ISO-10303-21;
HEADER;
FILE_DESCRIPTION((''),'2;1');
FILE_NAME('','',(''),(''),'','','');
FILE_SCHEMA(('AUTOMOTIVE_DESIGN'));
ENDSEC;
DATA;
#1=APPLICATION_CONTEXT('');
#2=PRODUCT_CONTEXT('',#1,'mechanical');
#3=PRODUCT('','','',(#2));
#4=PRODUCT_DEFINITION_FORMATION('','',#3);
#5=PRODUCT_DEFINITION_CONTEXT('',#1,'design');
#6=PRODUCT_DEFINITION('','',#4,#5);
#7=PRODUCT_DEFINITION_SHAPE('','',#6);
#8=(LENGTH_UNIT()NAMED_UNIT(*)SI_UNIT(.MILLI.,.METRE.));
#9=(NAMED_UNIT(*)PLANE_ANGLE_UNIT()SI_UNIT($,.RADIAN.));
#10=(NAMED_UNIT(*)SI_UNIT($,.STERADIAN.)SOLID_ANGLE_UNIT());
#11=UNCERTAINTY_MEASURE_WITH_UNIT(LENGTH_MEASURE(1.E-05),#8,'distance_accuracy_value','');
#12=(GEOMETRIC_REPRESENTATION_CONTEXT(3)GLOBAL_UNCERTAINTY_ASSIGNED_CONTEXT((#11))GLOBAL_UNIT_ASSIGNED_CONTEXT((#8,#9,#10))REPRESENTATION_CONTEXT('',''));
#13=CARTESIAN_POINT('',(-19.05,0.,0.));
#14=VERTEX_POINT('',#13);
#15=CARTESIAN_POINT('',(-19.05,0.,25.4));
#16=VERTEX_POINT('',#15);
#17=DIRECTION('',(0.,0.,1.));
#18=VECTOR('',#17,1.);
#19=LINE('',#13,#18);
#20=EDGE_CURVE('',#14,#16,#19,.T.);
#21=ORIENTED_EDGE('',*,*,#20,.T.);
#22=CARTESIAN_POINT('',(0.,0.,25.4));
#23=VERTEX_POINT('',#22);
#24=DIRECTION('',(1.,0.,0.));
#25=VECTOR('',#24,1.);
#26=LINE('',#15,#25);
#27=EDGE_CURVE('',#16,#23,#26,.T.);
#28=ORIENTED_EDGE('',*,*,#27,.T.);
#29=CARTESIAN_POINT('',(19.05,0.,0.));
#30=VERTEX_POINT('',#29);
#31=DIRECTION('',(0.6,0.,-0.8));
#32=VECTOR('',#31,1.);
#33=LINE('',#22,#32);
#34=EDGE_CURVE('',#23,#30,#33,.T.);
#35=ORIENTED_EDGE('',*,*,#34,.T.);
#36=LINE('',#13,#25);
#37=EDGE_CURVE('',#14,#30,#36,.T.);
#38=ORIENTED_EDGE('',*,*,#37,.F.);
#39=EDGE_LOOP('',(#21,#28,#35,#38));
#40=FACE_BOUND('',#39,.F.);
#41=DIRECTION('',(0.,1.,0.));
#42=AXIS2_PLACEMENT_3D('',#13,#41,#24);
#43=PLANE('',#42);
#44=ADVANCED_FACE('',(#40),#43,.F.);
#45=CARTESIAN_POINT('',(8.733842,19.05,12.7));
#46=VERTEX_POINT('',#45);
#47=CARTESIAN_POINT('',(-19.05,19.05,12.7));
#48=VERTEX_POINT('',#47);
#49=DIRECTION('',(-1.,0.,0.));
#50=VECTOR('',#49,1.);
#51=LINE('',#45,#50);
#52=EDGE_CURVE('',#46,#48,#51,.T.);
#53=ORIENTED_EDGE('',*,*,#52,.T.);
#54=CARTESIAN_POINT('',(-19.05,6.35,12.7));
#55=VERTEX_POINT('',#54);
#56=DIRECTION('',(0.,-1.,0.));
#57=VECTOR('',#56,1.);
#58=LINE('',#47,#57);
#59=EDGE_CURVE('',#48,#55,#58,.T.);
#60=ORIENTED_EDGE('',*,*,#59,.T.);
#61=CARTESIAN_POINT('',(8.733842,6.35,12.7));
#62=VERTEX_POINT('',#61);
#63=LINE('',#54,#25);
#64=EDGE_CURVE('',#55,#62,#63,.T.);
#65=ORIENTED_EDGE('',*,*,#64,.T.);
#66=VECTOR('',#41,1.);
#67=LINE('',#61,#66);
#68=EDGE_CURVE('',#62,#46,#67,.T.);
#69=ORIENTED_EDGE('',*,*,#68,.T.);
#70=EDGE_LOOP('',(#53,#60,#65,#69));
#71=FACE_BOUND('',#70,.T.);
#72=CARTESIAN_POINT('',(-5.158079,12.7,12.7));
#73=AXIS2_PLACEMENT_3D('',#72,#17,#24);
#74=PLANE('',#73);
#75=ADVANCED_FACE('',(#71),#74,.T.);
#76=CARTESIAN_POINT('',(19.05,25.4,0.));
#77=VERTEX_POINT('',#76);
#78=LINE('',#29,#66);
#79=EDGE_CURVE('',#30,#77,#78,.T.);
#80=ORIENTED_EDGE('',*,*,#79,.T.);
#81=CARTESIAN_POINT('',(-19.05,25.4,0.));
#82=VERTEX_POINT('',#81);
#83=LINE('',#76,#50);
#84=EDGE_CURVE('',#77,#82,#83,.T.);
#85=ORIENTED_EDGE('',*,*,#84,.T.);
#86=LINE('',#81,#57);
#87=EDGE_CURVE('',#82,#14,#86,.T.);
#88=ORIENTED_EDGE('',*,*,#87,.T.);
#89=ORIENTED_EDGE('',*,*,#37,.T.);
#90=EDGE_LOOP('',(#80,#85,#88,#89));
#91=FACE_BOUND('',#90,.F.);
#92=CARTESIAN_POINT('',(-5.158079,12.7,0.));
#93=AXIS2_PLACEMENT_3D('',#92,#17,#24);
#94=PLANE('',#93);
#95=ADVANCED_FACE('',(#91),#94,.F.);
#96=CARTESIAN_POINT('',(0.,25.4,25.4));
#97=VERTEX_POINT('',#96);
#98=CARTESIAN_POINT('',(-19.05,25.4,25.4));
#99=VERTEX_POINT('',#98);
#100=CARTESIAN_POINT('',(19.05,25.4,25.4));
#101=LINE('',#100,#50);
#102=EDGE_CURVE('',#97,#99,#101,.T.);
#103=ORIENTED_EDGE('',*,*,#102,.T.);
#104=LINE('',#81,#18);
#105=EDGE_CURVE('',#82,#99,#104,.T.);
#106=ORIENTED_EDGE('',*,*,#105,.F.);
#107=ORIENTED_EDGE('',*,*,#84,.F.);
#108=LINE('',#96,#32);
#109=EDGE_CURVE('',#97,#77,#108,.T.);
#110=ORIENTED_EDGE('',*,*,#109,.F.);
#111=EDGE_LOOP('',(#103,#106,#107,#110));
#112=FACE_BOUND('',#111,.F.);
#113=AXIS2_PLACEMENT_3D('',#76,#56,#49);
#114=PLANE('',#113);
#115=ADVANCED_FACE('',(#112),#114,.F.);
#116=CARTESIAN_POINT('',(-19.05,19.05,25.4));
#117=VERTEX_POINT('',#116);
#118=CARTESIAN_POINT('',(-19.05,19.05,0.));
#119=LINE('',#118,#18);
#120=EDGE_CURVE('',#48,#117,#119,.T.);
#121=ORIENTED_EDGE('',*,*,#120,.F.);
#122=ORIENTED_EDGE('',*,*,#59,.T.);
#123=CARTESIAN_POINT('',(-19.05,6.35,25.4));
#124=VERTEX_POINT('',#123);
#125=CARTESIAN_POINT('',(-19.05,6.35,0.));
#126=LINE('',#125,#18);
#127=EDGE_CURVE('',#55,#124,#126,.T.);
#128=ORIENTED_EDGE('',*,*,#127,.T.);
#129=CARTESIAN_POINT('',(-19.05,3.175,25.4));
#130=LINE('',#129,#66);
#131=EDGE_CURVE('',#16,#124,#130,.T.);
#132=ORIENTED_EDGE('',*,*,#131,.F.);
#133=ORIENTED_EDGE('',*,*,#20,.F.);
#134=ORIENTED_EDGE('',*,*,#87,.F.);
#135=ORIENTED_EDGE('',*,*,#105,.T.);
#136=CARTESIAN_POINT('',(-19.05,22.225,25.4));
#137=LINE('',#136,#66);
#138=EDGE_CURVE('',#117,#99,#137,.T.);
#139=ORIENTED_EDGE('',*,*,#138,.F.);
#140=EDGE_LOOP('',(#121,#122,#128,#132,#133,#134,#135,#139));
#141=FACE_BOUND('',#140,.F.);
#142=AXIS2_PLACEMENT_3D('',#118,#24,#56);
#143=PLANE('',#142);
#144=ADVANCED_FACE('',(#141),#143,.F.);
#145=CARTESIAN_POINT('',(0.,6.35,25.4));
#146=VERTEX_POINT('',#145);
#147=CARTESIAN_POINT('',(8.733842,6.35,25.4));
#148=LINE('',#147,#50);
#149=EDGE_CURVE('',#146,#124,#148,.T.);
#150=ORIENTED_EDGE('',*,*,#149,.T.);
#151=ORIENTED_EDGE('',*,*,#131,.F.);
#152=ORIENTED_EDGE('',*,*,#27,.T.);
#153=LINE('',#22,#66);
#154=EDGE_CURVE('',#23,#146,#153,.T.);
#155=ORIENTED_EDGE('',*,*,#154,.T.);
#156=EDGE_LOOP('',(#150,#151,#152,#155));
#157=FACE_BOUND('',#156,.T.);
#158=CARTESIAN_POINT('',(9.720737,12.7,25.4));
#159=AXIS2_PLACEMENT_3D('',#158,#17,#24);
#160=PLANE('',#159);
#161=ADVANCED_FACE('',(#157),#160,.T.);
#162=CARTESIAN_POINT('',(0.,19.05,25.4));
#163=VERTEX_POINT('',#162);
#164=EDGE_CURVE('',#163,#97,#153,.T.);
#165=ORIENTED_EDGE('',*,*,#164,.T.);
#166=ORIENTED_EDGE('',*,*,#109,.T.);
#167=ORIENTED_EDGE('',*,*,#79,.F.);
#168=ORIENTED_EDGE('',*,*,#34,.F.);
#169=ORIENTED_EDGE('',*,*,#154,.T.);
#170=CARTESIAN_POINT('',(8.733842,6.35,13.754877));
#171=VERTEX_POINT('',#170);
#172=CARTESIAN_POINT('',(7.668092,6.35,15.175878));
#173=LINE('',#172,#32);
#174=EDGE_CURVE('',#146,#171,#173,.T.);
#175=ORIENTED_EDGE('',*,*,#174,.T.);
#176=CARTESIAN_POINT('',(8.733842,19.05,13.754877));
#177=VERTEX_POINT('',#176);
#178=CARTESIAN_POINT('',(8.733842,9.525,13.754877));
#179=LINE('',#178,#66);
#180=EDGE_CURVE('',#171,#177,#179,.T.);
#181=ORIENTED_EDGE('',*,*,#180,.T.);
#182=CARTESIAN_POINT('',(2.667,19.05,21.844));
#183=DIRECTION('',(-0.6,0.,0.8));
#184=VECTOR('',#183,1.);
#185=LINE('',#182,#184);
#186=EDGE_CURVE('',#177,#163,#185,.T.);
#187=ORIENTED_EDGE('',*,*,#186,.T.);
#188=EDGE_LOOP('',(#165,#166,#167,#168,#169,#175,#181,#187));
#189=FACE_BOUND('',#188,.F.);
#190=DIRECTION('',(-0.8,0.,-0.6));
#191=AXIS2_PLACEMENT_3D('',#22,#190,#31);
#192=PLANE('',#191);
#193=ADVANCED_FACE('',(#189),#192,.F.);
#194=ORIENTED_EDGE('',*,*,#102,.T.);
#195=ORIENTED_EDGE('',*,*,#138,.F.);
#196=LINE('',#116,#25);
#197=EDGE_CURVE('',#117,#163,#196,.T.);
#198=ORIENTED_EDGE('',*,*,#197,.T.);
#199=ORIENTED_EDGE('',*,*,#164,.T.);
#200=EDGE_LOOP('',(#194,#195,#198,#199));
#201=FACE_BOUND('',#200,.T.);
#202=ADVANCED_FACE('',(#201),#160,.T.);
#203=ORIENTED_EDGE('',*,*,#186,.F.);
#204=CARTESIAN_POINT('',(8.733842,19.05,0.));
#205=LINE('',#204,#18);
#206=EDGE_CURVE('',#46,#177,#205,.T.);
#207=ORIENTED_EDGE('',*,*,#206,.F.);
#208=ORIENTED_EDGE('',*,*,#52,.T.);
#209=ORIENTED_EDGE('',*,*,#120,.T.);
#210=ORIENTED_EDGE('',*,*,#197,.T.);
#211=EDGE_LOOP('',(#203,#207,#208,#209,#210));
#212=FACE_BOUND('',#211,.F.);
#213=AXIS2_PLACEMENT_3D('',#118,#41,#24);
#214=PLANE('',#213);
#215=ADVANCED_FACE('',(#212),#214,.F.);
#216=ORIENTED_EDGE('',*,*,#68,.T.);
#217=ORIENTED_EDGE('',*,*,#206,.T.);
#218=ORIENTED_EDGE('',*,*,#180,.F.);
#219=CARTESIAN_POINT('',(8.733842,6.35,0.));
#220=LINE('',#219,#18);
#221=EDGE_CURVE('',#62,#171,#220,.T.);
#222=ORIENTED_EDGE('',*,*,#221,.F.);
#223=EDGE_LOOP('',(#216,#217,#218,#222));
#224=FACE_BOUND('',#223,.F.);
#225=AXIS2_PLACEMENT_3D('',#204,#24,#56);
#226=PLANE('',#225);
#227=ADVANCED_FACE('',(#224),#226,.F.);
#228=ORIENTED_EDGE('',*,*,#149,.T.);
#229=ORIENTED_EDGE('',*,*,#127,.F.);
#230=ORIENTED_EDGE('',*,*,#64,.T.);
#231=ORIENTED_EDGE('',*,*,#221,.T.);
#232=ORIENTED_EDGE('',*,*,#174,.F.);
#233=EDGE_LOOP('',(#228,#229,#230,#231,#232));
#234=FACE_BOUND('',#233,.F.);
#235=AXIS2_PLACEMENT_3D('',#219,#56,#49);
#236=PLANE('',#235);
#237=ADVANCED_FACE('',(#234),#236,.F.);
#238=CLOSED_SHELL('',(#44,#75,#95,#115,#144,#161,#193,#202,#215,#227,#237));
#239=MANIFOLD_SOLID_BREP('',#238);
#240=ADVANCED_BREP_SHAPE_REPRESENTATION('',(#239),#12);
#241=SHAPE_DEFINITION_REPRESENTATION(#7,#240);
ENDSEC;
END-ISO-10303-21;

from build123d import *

# Parameters (mm, degrees)
F0_W     = 19.05
F0_H     = 6.35
F1_DEPTH = 25.4
F2_DEPTH = 12.7
F4_DEPTH = 25.4


with BuildPart() as f1:
    # F0 (on Top) → F1 (new body)
    with BuildSketch(Plane.XY):
        Polygon((19.05, 25.4), (0, 25.4), (0, 19.05), (8.733842, 19.05), (8.733842, 6.35), (0, 6.35), (0, 0), (19.05, 0), align=None)
        with Locations((-9.525, 3.175)):
            Rectangle(F0_W, F0_H)
        with Locations((-9.525, 22.225)):
            Rectangle(F0_W, F0_H)
    extrude(amount=F1_DEPTH)

    # F0 (on Top) → F2 (join)
    with BuildSketch(Plane.XY):
        Polygon((0, 19.05), (-19.05, 19.05), (-19.05, 6.35), (0, 6.35), (8.733842, 6.35), (8.733842, 19.05), align=None)
    extrude(amount=F2_DEPTH)

    # F3 (on face) → F4 (cut)
    with BuildSketch(Plane.XZ):
        Polygon((19.05, 25.4), (0, 25.4), (19.05, 0), align=None)
    extrude(amount=-F4_DEPTH, mode=Mode.SUBTRACT)


solid = f1.part
